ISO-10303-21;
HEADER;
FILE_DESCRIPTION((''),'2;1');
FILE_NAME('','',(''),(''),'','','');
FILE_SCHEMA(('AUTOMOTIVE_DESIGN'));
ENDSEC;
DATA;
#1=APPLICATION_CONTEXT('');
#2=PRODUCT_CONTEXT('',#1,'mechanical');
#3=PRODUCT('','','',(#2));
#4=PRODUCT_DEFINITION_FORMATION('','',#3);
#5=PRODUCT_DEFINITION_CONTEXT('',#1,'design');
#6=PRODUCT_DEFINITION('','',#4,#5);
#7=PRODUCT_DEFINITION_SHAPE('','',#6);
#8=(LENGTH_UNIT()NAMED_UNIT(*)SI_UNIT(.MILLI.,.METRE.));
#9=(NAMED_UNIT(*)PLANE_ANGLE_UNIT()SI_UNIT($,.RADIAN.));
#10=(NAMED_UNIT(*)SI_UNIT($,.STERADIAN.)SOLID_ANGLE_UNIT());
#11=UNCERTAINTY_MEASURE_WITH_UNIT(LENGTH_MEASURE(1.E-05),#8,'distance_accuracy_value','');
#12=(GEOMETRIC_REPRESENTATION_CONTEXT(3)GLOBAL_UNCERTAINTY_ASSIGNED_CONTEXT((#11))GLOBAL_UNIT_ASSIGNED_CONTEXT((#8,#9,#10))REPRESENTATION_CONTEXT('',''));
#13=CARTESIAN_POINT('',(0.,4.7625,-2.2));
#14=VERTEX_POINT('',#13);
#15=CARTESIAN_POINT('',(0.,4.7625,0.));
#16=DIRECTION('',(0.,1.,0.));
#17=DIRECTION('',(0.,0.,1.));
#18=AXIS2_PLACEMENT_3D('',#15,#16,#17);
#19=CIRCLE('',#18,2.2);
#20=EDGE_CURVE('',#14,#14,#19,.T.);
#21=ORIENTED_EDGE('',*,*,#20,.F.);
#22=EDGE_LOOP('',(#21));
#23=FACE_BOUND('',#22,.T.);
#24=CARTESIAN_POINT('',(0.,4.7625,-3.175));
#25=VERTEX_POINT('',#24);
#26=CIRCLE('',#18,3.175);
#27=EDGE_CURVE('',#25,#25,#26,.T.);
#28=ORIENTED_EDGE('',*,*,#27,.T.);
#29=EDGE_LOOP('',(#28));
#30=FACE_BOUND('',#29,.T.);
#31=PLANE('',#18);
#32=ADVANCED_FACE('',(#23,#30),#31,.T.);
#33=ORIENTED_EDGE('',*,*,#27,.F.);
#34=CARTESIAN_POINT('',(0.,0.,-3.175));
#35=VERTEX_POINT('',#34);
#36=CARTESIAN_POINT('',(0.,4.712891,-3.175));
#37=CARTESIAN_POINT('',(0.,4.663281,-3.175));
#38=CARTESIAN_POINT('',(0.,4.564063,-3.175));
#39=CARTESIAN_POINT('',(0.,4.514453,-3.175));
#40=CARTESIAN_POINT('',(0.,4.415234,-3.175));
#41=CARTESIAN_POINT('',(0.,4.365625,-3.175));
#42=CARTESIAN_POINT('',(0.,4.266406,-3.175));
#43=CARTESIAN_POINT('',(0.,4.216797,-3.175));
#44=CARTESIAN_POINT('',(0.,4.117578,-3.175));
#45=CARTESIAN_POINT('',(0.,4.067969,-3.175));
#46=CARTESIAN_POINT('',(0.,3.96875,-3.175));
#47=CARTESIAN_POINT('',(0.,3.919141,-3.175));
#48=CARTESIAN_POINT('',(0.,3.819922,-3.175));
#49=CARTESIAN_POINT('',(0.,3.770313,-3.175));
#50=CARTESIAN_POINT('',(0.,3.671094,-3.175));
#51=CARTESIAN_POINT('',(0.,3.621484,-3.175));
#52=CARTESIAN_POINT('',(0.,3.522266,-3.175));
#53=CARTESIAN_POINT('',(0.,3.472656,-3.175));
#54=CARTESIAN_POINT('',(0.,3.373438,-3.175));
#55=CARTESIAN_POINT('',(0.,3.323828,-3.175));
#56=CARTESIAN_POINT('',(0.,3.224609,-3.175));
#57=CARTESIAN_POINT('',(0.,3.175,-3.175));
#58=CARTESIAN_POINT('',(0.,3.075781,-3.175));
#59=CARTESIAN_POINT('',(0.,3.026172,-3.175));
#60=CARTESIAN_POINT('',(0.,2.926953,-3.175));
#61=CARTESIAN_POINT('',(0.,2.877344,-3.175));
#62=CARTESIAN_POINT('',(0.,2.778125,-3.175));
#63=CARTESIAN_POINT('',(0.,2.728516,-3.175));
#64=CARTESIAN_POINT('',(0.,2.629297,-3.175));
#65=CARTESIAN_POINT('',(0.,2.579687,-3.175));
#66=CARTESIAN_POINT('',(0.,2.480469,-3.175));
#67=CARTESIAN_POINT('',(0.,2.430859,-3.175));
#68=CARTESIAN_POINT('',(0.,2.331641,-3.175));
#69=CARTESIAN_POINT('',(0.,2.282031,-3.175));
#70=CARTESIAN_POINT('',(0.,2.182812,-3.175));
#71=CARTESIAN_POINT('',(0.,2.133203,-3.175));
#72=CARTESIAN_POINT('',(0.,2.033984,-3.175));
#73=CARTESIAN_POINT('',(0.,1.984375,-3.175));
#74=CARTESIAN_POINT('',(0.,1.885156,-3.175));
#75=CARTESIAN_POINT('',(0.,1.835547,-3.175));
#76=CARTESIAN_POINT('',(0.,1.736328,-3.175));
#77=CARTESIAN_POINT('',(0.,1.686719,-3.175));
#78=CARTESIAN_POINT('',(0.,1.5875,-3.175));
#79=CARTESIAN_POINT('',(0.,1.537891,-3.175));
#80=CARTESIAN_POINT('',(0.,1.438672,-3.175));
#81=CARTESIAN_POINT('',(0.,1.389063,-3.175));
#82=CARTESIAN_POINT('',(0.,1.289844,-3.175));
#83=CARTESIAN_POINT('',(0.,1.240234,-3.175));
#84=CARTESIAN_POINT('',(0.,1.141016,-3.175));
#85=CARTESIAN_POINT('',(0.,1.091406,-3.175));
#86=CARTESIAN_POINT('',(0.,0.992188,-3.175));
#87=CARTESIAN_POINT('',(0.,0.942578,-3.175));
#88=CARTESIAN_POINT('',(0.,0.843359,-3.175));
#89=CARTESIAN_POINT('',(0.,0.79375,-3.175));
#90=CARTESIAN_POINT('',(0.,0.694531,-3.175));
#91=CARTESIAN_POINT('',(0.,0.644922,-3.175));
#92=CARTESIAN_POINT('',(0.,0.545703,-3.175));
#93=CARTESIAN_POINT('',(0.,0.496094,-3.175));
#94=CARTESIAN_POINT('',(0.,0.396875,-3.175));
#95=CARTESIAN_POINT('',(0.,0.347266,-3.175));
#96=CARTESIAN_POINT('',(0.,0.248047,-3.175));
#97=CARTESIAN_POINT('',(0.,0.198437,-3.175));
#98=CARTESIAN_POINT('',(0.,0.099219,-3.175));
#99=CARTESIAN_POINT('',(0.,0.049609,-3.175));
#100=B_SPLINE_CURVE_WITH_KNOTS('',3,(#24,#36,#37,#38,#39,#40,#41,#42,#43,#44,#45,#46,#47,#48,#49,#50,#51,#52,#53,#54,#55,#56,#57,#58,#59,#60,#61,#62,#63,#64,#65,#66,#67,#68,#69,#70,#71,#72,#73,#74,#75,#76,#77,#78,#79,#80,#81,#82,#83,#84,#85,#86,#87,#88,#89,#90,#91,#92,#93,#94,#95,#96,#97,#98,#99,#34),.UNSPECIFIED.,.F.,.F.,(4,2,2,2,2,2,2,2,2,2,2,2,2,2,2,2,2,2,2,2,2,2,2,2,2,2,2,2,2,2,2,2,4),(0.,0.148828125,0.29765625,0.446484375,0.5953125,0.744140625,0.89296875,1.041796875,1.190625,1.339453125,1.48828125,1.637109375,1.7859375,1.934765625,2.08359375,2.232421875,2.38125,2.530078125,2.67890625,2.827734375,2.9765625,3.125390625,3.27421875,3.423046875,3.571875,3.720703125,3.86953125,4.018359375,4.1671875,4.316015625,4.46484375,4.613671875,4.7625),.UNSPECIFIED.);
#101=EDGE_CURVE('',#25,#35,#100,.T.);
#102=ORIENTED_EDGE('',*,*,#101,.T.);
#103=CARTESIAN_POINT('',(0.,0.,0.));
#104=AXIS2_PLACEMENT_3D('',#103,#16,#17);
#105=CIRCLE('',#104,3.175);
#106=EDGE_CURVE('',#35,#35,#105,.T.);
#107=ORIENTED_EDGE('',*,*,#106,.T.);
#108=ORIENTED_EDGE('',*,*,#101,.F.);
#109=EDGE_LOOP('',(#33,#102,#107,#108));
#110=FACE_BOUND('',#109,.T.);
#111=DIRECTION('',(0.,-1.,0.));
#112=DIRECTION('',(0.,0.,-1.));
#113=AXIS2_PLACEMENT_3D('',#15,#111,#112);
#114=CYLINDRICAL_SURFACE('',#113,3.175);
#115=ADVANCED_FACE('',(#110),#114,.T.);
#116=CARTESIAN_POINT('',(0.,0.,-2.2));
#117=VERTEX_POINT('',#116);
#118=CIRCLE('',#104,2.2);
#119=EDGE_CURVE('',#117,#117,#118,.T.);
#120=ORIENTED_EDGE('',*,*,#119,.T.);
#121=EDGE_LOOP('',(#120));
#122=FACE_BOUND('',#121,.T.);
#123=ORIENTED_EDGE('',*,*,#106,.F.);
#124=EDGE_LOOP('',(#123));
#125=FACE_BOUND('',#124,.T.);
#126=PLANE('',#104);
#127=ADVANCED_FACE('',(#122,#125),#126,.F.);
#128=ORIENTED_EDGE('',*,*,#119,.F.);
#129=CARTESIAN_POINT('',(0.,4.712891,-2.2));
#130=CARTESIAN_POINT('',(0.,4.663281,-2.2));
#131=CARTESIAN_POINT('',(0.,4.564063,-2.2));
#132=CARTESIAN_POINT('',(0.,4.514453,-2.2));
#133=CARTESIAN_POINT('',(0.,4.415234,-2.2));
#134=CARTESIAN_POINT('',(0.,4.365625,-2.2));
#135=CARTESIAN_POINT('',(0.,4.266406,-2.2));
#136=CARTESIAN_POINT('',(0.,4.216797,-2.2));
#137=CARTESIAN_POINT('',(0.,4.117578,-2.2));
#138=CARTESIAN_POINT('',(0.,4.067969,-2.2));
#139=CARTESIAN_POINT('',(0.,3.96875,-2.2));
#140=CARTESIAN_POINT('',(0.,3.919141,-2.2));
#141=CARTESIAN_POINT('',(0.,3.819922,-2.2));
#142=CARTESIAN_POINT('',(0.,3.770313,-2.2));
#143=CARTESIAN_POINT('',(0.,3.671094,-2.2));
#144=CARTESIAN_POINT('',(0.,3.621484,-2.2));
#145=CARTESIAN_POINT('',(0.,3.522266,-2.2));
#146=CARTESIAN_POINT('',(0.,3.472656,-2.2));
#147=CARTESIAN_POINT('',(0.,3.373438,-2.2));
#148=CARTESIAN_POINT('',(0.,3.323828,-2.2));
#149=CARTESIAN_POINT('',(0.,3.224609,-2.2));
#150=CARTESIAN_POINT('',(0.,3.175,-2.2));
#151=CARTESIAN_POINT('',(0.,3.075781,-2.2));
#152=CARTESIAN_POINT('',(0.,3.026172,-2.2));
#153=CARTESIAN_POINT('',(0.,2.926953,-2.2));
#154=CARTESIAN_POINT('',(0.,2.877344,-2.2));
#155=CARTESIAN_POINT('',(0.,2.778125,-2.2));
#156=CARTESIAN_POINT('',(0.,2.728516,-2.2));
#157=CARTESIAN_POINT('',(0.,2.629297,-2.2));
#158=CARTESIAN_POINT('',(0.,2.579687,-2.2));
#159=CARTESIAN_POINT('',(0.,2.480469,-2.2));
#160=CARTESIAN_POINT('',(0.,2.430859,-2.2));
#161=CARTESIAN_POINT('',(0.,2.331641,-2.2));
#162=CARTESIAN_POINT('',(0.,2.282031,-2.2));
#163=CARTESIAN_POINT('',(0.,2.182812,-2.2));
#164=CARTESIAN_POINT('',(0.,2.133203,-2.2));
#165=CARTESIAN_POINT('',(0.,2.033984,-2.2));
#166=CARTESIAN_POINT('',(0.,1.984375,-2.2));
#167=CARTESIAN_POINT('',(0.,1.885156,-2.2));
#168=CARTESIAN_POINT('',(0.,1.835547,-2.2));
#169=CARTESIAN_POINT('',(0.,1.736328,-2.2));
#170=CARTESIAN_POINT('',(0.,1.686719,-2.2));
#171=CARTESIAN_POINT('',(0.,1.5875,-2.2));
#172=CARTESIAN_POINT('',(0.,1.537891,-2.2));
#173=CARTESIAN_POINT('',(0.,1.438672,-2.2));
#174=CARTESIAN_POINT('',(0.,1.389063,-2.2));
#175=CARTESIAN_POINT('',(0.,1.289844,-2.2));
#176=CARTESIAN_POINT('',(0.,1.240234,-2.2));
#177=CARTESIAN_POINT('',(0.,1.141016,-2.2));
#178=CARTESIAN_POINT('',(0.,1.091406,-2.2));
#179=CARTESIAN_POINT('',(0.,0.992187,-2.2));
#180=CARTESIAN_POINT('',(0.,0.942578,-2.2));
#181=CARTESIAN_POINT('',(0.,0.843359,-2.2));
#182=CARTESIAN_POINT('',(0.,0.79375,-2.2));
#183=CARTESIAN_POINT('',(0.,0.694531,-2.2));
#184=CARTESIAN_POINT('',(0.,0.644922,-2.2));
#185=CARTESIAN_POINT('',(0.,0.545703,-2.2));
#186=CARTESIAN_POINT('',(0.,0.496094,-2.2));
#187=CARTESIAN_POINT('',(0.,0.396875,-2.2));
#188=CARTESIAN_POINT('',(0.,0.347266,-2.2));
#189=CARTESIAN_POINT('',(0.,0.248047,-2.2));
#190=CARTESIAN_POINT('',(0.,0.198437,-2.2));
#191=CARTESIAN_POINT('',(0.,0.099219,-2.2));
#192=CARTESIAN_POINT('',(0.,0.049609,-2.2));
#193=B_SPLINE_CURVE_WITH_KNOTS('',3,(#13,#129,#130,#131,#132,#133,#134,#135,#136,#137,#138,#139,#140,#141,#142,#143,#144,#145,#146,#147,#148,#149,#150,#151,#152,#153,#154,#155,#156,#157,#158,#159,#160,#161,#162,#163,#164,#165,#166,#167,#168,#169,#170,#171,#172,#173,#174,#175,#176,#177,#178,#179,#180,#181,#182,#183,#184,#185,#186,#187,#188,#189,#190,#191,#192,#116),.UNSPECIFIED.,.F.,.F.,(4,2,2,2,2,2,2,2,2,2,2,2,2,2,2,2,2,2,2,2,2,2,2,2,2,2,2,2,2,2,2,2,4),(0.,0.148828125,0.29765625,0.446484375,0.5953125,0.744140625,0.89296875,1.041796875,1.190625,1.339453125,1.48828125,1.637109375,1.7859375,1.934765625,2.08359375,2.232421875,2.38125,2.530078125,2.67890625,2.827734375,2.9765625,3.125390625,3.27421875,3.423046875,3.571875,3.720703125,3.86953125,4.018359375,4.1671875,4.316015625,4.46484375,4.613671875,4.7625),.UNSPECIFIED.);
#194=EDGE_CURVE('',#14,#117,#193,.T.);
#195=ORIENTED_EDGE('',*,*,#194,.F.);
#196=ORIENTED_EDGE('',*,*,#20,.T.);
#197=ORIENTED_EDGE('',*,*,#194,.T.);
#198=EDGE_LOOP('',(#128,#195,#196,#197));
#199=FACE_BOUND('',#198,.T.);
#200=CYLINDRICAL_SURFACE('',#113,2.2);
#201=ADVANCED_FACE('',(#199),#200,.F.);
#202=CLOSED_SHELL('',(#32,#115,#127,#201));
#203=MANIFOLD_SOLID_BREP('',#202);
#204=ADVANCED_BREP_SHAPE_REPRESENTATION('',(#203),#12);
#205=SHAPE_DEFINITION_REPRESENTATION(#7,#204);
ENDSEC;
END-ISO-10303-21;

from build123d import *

# Parameters (mm, degrees)
ESBO_O1_R                = 3.175
ESBO_O1_R_2              = 2.2
RESSALTO_EXTRUS_O1_DEPTH = 4.7625


with BuildPart() as part:
    # Esboço1 → Ressalto-extrusão1 (new body)
    with BuildSketch(Plane(origin=(0, 0, 0), x_dir=(1, 0, 0), z_dir=(0, 1, 0))):
        with Locations(Location((0, 0, 0), (0, 0, 90))):
            Circle(ESBO_O1_R)
        with Locations(Location((0, 0, 0), (0, 0, 90))):
            Circle(ESBO_O1_R_2, mode=Mode.SUBTRACT)
    extrude(amount=RESSALTO_EXTRUS_O1_DEPTH)


solid = part.part
